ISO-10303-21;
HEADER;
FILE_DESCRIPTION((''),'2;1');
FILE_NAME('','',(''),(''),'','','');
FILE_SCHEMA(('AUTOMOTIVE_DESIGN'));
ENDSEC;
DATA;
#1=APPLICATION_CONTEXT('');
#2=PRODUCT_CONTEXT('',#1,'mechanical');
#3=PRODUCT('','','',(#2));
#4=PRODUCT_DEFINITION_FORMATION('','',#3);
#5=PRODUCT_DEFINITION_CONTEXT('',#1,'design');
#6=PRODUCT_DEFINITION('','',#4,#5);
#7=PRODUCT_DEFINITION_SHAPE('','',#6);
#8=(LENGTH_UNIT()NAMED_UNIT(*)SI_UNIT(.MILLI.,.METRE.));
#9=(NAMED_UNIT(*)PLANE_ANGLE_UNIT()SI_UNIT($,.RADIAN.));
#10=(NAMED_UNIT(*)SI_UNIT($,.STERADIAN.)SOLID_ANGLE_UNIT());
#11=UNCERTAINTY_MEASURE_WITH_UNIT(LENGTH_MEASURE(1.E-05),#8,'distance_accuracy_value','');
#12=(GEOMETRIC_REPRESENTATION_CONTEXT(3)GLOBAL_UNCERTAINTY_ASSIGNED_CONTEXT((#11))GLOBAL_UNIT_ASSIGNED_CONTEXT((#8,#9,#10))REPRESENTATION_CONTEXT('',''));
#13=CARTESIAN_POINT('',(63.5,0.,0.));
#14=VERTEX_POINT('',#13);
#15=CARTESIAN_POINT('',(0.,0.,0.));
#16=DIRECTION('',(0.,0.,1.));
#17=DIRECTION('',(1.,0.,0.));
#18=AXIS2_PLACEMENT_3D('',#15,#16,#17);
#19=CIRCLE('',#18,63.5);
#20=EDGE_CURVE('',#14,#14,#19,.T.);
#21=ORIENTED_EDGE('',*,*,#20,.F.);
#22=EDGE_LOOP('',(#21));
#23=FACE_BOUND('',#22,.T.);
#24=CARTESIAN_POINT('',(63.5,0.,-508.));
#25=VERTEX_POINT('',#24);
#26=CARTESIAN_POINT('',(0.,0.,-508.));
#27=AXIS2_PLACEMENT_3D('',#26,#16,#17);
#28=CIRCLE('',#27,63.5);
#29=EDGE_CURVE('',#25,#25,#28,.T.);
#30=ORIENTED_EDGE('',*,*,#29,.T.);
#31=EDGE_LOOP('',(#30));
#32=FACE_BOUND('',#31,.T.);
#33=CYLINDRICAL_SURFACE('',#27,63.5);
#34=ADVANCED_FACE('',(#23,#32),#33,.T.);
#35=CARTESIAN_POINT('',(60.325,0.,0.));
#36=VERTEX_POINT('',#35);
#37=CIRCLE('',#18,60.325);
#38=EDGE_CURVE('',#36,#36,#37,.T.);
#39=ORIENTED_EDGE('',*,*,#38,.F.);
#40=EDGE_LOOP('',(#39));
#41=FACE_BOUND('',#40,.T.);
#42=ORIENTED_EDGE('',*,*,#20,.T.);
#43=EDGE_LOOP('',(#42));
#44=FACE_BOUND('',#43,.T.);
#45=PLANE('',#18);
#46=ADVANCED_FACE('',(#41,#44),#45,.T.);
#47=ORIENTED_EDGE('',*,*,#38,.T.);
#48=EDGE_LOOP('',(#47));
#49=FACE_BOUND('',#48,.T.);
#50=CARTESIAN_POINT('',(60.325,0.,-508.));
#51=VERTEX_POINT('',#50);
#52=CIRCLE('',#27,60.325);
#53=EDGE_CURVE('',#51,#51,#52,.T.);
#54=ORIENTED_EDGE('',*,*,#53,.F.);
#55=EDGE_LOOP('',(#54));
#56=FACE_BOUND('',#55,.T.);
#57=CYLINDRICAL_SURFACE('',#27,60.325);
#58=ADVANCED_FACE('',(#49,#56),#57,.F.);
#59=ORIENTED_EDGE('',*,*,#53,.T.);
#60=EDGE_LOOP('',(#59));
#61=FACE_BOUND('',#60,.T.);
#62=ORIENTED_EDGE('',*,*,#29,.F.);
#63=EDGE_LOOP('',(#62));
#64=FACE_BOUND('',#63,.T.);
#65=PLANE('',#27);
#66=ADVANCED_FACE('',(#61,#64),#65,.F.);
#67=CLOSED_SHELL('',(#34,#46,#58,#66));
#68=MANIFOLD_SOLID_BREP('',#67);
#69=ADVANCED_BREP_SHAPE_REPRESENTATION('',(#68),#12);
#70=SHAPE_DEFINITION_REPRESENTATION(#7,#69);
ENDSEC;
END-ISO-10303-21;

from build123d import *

# Parameters (mm, degrees)
SKETCH1_R           = 63.5
SKETCH1_R_2         = 60.325
BOSS_EXTRUDE1_DEPTH = 508


with BuildPart() as part:
    # Sketch1 → Boss-Extrude1 (new body)
    with BuildSketch(Plane.XY):
        Circle(SKETCH1_R)
        Circle(SKETCH1_R_2, mode=Mode.SUBTRACT)
    extrude(amount=-BOSS_EXTRUDE1_DEPTH)


solid = part.part
